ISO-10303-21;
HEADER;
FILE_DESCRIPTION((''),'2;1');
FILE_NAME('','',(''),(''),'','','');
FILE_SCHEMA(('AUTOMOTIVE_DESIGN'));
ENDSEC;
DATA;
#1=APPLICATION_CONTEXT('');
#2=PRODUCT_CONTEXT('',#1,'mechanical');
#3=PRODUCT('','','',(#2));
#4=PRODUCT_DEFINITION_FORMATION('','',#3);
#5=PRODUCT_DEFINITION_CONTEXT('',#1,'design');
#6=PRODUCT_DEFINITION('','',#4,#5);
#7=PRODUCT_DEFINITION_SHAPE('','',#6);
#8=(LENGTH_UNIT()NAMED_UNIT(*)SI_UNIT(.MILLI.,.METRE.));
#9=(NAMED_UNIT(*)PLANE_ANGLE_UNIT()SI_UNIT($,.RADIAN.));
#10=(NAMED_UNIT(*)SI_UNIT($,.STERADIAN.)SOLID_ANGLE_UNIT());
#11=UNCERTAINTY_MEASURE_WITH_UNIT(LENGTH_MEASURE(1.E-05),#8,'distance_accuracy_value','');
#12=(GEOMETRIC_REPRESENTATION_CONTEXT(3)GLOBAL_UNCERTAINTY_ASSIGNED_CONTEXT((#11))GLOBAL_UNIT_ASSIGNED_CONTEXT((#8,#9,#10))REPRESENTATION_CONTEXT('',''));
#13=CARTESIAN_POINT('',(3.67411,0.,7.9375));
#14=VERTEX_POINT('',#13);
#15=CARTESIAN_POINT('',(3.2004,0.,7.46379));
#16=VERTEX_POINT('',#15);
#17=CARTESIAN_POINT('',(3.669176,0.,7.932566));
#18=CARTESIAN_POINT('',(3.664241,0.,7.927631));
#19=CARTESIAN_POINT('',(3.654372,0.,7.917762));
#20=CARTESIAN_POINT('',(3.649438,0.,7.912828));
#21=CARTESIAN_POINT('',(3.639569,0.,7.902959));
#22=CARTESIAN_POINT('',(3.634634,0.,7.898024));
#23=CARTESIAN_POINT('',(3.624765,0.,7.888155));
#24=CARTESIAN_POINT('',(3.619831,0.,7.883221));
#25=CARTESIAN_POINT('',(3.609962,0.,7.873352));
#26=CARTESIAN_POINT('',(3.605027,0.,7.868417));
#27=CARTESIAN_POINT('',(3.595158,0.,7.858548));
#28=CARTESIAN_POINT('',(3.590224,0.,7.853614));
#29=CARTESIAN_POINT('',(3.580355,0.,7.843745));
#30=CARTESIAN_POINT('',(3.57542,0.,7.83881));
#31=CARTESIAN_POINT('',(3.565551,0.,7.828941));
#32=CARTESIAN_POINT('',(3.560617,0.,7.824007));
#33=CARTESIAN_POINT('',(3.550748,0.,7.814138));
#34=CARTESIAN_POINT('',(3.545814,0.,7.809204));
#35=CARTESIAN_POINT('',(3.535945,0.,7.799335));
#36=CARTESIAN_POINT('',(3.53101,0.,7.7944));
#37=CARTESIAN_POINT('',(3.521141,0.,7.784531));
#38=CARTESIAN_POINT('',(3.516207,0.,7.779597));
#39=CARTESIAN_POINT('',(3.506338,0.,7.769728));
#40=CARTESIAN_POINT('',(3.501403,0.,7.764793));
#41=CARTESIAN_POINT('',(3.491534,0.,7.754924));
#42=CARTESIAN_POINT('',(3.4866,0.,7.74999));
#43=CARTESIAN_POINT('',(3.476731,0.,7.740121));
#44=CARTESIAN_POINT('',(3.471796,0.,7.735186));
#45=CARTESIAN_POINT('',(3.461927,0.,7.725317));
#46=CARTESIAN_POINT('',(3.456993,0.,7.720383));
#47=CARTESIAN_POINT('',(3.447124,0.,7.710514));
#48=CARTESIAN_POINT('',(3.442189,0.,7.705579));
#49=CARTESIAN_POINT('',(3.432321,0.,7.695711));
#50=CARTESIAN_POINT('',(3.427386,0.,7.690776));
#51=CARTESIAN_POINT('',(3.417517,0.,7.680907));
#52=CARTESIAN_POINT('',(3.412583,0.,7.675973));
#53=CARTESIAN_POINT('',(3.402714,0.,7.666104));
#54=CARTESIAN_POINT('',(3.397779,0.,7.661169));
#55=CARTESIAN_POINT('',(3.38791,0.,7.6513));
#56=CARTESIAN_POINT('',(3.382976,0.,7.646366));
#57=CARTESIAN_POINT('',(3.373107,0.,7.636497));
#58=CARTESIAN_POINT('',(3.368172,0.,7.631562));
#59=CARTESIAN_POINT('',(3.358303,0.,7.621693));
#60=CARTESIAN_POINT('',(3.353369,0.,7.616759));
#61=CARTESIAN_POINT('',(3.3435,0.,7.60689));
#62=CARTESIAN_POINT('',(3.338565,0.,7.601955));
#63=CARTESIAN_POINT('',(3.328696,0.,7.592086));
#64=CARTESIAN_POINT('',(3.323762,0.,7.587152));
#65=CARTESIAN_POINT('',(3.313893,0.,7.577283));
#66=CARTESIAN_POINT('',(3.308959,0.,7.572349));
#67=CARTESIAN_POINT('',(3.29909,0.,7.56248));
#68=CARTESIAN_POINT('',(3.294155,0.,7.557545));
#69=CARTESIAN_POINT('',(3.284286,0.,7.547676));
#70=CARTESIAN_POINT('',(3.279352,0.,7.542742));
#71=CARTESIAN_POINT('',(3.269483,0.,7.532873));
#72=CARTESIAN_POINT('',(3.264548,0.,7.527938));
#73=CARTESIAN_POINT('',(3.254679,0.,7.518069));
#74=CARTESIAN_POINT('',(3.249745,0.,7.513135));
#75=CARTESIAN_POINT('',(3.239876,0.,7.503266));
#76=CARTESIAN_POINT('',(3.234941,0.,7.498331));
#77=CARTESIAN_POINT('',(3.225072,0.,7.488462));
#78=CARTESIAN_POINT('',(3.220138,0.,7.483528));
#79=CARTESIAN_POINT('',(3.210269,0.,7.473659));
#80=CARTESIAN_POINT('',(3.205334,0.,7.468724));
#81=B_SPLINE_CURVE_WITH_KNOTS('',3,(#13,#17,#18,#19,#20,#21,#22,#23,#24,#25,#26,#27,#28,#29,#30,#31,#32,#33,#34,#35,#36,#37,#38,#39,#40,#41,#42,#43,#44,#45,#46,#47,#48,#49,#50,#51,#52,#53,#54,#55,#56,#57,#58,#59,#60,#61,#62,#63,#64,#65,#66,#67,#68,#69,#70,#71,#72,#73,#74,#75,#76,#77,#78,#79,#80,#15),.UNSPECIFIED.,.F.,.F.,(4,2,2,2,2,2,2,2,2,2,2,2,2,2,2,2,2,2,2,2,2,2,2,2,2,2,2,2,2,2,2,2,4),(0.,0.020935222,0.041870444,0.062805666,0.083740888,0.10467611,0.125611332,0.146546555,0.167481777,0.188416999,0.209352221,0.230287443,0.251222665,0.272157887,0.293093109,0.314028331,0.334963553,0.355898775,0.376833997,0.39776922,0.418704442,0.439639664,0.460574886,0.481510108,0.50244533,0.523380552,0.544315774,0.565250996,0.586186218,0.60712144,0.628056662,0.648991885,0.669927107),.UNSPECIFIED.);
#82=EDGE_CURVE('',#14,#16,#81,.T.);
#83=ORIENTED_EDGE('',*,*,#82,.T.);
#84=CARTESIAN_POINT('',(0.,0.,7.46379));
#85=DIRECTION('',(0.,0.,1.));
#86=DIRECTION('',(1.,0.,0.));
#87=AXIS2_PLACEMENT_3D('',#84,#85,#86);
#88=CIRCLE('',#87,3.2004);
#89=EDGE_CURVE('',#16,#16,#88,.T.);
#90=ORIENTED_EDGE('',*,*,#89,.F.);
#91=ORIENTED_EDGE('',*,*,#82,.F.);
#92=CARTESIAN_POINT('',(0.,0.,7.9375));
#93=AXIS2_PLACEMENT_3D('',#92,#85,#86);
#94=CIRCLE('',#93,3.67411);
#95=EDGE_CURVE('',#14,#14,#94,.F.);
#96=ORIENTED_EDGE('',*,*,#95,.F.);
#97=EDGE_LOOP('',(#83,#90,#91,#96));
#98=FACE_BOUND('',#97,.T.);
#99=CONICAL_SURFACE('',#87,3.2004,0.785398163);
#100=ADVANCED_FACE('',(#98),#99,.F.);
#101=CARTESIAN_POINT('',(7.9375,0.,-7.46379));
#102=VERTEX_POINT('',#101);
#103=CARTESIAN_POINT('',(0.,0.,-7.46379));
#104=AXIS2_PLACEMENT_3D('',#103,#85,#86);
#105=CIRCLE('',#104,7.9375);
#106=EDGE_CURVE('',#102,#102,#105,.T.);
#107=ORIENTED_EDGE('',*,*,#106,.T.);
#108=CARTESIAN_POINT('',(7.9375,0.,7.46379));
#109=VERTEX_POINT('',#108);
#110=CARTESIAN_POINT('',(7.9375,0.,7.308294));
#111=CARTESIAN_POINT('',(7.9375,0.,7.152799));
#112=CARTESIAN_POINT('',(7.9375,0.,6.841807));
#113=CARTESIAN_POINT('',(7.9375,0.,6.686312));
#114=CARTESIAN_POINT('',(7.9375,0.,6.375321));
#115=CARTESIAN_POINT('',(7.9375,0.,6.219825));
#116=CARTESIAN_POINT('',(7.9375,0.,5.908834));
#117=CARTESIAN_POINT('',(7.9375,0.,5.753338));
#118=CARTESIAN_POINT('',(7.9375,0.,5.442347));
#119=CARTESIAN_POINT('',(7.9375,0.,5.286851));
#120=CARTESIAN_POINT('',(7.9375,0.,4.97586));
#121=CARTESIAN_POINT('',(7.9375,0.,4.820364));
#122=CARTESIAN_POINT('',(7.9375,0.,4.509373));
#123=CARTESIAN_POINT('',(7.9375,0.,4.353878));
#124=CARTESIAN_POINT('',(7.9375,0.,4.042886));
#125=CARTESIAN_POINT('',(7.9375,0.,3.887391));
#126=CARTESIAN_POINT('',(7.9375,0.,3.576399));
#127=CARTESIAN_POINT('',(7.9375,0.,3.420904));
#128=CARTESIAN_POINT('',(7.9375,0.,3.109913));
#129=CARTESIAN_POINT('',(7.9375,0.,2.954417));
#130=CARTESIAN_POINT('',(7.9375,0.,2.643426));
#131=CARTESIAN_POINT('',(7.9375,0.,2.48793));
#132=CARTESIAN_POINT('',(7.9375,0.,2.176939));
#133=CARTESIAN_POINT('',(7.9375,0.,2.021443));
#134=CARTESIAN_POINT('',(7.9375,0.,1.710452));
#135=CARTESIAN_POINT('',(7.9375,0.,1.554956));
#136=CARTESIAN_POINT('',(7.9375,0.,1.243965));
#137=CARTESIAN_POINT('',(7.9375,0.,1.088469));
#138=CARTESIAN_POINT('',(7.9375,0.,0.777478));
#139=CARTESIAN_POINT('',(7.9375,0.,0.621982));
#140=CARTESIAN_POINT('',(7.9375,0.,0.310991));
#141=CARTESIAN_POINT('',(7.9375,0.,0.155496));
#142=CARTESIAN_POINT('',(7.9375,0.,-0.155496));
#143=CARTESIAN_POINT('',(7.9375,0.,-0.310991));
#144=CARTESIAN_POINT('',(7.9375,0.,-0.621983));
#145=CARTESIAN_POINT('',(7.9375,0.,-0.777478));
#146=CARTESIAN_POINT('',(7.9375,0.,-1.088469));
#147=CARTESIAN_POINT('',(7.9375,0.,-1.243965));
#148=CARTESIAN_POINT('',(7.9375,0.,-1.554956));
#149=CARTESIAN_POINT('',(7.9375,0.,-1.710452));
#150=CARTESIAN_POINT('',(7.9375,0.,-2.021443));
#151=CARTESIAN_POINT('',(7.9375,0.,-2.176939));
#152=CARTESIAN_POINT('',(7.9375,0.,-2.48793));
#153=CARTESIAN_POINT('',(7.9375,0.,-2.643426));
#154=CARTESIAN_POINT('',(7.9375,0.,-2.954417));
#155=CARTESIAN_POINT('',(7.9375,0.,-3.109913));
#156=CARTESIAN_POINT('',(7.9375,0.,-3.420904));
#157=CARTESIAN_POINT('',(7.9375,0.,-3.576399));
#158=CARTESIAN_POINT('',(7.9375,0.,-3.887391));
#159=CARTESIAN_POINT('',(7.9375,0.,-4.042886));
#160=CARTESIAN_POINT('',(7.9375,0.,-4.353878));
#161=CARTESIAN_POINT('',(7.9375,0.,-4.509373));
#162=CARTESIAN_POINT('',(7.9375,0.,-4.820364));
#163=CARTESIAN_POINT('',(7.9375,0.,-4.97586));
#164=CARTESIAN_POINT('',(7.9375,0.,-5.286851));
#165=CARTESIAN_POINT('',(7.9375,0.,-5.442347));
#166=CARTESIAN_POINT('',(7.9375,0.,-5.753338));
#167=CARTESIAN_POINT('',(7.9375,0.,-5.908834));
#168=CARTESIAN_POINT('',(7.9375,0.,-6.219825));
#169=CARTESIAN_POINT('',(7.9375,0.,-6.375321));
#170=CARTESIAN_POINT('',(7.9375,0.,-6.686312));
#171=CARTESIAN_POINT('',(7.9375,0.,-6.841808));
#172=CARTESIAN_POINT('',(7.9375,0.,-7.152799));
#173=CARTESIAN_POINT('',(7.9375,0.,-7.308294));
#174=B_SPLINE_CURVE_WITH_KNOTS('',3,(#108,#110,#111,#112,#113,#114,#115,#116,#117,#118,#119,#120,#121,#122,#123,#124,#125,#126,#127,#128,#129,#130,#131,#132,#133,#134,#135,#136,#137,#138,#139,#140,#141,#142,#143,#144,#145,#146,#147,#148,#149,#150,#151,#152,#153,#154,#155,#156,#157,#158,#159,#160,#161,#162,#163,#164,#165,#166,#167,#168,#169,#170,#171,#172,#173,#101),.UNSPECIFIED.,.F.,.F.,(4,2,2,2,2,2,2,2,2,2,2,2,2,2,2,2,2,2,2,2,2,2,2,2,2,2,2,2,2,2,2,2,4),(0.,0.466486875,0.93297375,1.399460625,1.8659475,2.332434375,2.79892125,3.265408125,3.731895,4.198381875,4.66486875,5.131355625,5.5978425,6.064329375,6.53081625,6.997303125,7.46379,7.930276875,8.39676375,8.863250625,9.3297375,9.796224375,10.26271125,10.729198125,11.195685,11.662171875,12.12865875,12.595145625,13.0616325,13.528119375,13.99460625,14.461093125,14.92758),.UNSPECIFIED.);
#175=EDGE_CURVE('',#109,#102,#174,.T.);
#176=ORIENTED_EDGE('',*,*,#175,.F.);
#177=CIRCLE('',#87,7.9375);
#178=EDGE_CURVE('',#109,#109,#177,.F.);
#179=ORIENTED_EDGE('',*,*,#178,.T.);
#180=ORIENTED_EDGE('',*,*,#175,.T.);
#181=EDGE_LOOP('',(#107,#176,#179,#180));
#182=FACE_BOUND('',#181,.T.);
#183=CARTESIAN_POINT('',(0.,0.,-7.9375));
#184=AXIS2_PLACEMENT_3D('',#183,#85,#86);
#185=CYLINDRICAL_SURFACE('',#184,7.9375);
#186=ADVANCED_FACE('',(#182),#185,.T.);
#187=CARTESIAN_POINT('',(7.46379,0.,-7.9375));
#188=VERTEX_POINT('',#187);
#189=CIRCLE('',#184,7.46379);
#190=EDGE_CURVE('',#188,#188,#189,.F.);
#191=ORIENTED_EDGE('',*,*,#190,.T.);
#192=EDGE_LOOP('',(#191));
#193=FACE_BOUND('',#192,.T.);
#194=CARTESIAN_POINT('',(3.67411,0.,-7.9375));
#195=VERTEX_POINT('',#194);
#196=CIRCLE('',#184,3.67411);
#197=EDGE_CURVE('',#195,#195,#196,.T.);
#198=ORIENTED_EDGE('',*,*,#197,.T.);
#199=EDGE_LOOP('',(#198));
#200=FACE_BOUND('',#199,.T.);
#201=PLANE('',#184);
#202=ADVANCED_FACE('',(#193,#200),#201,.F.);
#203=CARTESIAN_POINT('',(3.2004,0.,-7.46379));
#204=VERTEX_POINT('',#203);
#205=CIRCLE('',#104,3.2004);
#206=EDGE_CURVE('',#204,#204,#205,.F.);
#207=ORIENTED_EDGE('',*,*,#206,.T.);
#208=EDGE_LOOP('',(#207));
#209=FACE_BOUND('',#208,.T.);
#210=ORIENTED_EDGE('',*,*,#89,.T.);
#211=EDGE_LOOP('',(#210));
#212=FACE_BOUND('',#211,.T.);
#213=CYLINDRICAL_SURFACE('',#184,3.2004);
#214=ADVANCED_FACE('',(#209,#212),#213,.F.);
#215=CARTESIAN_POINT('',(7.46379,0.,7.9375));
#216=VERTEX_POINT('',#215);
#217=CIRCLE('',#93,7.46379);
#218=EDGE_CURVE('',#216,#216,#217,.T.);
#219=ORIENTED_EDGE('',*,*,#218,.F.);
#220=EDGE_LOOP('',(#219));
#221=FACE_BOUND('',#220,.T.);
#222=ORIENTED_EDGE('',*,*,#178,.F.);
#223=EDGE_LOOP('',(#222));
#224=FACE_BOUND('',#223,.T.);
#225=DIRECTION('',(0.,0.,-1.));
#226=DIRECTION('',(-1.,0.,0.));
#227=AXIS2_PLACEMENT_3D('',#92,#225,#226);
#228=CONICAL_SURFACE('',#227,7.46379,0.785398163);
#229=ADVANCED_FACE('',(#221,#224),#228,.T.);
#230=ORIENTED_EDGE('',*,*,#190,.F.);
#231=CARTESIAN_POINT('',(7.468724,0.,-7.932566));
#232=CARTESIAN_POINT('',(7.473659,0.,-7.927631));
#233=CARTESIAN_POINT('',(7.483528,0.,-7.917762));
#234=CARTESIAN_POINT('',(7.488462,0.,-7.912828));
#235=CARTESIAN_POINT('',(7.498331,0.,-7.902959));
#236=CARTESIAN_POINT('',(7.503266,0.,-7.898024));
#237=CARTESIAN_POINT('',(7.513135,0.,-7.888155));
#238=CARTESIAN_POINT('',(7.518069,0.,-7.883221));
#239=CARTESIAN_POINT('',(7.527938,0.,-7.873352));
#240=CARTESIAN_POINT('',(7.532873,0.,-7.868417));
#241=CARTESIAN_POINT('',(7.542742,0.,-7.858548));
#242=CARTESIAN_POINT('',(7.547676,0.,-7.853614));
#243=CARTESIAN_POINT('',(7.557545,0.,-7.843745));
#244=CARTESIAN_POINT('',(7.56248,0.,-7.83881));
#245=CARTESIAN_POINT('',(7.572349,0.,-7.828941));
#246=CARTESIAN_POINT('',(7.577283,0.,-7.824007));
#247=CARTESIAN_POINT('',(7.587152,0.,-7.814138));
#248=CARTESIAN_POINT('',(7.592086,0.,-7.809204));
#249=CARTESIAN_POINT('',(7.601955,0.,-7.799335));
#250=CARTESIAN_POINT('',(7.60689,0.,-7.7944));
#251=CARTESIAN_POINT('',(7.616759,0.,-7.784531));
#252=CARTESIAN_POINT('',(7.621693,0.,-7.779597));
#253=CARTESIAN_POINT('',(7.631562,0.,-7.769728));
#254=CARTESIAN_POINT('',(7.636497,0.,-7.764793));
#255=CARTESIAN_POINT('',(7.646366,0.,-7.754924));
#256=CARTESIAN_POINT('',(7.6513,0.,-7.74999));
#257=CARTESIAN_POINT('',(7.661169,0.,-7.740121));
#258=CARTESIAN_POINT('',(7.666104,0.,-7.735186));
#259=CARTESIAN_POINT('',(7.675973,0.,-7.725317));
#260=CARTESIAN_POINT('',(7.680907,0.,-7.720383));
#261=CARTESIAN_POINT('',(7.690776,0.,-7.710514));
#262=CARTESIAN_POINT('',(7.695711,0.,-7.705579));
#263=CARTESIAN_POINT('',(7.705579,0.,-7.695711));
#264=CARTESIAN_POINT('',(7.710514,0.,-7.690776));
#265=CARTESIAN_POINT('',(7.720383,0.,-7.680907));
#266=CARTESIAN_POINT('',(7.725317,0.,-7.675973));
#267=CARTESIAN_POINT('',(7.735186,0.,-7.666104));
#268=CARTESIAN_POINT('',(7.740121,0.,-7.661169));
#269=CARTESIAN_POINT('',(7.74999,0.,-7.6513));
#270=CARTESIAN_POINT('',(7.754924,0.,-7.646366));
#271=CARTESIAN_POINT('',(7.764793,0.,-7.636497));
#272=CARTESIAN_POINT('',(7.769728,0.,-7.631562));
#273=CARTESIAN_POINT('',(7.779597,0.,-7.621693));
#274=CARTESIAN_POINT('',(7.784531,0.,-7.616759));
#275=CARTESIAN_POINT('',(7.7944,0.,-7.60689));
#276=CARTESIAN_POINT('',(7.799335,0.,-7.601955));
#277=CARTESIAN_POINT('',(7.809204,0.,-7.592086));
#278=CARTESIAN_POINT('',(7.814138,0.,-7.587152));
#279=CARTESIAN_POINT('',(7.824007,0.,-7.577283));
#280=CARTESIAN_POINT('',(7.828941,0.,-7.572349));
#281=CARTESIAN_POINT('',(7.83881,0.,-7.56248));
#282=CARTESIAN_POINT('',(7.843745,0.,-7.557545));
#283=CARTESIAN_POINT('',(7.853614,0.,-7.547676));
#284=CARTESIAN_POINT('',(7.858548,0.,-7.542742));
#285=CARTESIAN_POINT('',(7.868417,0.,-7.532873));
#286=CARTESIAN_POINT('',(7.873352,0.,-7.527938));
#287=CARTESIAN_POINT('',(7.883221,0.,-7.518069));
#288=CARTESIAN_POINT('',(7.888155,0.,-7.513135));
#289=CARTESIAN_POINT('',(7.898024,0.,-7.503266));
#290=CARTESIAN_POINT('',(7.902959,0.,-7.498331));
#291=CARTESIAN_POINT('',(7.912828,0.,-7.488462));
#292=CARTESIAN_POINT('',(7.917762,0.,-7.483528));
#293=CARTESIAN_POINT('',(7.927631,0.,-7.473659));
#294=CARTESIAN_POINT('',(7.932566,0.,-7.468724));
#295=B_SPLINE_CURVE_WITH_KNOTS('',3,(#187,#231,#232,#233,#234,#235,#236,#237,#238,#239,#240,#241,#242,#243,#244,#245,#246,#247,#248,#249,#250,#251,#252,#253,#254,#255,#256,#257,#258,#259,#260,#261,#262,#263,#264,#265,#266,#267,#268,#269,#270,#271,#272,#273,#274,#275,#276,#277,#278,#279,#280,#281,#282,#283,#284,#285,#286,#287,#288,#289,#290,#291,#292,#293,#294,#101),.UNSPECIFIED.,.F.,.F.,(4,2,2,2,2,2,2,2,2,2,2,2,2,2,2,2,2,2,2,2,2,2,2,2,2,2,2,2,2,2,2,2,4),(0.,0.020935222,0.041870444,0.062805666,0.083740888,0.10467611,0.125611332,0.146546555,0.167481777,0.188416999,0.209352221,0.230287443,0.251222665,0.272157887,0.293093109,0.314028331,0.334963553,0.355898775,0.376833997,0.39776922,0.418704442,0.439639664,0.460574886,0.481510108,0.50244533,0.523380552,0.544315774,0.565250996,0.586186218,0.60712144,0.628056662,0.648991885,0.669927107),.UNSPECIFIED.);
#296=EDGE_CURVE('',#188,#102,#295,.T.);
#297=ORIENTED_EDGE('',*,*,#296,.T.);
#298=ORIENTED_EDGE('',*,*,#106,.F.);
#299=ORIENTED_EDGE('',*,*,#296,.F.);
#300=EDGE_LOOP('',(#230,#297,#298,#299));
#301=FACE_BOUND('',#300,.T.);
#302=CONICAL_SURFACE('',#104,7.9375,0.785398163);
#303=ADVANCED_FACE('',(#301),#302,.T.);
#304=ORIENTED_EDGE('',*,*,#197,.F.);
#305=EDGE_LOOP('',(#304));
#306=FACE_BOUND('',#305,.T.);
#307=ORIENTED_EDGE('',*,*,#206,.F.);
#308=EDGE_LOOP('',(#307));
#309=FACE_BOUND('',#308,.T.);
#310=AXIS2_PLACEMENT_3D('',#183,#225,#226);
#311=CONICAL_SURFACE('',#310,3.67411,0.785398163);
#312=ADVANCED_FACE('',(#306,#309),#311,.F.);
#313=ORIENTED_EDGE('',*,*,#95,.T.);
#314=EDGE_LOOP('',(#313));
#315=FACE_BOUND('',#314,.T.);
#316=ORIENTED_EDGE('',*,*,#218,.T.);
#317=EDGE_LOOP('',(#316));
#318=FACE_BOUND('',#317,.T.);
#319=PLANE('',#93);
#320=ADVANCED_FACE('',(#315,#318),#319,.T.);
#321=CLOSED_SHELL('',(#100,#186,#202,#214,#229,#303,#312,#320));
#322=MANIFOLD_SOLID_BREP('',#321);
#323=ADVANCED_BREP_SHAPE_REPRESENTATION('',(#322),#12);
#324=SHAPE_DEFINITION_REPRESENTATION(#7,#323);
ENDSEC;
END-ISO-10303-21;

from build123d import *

# Parameters (mm, degrees)
BOSS_EXTRUDE1_DEPTH      = 7.9375
BOSS_EXTRUDE1_DEPTH_BACK = 7.9375
SKETCH3_R                = 7.9375
SKETCH3_R_2              = 3.2004
CHAMFER1_SIZE            = 0.47371


with BuildPart() as part:
    # Sketch3 → Boss-Extrude1 (new, two sides: drawn at the far end of the back side and taken through both)
    with BuildSketch(Plane.XY.offset(-BOSS_EXTRUDE1_DEPTH_BACK)):
        Circle(SKETCH3_R)
        Circle(SKETCH3_R_2, mode=Mode.SUBTRACT)
    extrude(amount=BOSS_EXTRUDE1_DEPTH + BOSS_EXTRUDE1_DEPTH_BACK)

    # Chamfer1
    chamfer1_edges = [part.edges().sort_by_distance(p)[0] for p in [
        (-7.9375, 0, -7.9375),
        (-3.2004, 0, -7.9375),
        (-7.9375, 0, 7.9375),
        (-3.2004, 0, 7.9375),
    ]]
    chamfer(chamfer1_edges, length=CHAMFER1_SIZE)


solid = part.part
